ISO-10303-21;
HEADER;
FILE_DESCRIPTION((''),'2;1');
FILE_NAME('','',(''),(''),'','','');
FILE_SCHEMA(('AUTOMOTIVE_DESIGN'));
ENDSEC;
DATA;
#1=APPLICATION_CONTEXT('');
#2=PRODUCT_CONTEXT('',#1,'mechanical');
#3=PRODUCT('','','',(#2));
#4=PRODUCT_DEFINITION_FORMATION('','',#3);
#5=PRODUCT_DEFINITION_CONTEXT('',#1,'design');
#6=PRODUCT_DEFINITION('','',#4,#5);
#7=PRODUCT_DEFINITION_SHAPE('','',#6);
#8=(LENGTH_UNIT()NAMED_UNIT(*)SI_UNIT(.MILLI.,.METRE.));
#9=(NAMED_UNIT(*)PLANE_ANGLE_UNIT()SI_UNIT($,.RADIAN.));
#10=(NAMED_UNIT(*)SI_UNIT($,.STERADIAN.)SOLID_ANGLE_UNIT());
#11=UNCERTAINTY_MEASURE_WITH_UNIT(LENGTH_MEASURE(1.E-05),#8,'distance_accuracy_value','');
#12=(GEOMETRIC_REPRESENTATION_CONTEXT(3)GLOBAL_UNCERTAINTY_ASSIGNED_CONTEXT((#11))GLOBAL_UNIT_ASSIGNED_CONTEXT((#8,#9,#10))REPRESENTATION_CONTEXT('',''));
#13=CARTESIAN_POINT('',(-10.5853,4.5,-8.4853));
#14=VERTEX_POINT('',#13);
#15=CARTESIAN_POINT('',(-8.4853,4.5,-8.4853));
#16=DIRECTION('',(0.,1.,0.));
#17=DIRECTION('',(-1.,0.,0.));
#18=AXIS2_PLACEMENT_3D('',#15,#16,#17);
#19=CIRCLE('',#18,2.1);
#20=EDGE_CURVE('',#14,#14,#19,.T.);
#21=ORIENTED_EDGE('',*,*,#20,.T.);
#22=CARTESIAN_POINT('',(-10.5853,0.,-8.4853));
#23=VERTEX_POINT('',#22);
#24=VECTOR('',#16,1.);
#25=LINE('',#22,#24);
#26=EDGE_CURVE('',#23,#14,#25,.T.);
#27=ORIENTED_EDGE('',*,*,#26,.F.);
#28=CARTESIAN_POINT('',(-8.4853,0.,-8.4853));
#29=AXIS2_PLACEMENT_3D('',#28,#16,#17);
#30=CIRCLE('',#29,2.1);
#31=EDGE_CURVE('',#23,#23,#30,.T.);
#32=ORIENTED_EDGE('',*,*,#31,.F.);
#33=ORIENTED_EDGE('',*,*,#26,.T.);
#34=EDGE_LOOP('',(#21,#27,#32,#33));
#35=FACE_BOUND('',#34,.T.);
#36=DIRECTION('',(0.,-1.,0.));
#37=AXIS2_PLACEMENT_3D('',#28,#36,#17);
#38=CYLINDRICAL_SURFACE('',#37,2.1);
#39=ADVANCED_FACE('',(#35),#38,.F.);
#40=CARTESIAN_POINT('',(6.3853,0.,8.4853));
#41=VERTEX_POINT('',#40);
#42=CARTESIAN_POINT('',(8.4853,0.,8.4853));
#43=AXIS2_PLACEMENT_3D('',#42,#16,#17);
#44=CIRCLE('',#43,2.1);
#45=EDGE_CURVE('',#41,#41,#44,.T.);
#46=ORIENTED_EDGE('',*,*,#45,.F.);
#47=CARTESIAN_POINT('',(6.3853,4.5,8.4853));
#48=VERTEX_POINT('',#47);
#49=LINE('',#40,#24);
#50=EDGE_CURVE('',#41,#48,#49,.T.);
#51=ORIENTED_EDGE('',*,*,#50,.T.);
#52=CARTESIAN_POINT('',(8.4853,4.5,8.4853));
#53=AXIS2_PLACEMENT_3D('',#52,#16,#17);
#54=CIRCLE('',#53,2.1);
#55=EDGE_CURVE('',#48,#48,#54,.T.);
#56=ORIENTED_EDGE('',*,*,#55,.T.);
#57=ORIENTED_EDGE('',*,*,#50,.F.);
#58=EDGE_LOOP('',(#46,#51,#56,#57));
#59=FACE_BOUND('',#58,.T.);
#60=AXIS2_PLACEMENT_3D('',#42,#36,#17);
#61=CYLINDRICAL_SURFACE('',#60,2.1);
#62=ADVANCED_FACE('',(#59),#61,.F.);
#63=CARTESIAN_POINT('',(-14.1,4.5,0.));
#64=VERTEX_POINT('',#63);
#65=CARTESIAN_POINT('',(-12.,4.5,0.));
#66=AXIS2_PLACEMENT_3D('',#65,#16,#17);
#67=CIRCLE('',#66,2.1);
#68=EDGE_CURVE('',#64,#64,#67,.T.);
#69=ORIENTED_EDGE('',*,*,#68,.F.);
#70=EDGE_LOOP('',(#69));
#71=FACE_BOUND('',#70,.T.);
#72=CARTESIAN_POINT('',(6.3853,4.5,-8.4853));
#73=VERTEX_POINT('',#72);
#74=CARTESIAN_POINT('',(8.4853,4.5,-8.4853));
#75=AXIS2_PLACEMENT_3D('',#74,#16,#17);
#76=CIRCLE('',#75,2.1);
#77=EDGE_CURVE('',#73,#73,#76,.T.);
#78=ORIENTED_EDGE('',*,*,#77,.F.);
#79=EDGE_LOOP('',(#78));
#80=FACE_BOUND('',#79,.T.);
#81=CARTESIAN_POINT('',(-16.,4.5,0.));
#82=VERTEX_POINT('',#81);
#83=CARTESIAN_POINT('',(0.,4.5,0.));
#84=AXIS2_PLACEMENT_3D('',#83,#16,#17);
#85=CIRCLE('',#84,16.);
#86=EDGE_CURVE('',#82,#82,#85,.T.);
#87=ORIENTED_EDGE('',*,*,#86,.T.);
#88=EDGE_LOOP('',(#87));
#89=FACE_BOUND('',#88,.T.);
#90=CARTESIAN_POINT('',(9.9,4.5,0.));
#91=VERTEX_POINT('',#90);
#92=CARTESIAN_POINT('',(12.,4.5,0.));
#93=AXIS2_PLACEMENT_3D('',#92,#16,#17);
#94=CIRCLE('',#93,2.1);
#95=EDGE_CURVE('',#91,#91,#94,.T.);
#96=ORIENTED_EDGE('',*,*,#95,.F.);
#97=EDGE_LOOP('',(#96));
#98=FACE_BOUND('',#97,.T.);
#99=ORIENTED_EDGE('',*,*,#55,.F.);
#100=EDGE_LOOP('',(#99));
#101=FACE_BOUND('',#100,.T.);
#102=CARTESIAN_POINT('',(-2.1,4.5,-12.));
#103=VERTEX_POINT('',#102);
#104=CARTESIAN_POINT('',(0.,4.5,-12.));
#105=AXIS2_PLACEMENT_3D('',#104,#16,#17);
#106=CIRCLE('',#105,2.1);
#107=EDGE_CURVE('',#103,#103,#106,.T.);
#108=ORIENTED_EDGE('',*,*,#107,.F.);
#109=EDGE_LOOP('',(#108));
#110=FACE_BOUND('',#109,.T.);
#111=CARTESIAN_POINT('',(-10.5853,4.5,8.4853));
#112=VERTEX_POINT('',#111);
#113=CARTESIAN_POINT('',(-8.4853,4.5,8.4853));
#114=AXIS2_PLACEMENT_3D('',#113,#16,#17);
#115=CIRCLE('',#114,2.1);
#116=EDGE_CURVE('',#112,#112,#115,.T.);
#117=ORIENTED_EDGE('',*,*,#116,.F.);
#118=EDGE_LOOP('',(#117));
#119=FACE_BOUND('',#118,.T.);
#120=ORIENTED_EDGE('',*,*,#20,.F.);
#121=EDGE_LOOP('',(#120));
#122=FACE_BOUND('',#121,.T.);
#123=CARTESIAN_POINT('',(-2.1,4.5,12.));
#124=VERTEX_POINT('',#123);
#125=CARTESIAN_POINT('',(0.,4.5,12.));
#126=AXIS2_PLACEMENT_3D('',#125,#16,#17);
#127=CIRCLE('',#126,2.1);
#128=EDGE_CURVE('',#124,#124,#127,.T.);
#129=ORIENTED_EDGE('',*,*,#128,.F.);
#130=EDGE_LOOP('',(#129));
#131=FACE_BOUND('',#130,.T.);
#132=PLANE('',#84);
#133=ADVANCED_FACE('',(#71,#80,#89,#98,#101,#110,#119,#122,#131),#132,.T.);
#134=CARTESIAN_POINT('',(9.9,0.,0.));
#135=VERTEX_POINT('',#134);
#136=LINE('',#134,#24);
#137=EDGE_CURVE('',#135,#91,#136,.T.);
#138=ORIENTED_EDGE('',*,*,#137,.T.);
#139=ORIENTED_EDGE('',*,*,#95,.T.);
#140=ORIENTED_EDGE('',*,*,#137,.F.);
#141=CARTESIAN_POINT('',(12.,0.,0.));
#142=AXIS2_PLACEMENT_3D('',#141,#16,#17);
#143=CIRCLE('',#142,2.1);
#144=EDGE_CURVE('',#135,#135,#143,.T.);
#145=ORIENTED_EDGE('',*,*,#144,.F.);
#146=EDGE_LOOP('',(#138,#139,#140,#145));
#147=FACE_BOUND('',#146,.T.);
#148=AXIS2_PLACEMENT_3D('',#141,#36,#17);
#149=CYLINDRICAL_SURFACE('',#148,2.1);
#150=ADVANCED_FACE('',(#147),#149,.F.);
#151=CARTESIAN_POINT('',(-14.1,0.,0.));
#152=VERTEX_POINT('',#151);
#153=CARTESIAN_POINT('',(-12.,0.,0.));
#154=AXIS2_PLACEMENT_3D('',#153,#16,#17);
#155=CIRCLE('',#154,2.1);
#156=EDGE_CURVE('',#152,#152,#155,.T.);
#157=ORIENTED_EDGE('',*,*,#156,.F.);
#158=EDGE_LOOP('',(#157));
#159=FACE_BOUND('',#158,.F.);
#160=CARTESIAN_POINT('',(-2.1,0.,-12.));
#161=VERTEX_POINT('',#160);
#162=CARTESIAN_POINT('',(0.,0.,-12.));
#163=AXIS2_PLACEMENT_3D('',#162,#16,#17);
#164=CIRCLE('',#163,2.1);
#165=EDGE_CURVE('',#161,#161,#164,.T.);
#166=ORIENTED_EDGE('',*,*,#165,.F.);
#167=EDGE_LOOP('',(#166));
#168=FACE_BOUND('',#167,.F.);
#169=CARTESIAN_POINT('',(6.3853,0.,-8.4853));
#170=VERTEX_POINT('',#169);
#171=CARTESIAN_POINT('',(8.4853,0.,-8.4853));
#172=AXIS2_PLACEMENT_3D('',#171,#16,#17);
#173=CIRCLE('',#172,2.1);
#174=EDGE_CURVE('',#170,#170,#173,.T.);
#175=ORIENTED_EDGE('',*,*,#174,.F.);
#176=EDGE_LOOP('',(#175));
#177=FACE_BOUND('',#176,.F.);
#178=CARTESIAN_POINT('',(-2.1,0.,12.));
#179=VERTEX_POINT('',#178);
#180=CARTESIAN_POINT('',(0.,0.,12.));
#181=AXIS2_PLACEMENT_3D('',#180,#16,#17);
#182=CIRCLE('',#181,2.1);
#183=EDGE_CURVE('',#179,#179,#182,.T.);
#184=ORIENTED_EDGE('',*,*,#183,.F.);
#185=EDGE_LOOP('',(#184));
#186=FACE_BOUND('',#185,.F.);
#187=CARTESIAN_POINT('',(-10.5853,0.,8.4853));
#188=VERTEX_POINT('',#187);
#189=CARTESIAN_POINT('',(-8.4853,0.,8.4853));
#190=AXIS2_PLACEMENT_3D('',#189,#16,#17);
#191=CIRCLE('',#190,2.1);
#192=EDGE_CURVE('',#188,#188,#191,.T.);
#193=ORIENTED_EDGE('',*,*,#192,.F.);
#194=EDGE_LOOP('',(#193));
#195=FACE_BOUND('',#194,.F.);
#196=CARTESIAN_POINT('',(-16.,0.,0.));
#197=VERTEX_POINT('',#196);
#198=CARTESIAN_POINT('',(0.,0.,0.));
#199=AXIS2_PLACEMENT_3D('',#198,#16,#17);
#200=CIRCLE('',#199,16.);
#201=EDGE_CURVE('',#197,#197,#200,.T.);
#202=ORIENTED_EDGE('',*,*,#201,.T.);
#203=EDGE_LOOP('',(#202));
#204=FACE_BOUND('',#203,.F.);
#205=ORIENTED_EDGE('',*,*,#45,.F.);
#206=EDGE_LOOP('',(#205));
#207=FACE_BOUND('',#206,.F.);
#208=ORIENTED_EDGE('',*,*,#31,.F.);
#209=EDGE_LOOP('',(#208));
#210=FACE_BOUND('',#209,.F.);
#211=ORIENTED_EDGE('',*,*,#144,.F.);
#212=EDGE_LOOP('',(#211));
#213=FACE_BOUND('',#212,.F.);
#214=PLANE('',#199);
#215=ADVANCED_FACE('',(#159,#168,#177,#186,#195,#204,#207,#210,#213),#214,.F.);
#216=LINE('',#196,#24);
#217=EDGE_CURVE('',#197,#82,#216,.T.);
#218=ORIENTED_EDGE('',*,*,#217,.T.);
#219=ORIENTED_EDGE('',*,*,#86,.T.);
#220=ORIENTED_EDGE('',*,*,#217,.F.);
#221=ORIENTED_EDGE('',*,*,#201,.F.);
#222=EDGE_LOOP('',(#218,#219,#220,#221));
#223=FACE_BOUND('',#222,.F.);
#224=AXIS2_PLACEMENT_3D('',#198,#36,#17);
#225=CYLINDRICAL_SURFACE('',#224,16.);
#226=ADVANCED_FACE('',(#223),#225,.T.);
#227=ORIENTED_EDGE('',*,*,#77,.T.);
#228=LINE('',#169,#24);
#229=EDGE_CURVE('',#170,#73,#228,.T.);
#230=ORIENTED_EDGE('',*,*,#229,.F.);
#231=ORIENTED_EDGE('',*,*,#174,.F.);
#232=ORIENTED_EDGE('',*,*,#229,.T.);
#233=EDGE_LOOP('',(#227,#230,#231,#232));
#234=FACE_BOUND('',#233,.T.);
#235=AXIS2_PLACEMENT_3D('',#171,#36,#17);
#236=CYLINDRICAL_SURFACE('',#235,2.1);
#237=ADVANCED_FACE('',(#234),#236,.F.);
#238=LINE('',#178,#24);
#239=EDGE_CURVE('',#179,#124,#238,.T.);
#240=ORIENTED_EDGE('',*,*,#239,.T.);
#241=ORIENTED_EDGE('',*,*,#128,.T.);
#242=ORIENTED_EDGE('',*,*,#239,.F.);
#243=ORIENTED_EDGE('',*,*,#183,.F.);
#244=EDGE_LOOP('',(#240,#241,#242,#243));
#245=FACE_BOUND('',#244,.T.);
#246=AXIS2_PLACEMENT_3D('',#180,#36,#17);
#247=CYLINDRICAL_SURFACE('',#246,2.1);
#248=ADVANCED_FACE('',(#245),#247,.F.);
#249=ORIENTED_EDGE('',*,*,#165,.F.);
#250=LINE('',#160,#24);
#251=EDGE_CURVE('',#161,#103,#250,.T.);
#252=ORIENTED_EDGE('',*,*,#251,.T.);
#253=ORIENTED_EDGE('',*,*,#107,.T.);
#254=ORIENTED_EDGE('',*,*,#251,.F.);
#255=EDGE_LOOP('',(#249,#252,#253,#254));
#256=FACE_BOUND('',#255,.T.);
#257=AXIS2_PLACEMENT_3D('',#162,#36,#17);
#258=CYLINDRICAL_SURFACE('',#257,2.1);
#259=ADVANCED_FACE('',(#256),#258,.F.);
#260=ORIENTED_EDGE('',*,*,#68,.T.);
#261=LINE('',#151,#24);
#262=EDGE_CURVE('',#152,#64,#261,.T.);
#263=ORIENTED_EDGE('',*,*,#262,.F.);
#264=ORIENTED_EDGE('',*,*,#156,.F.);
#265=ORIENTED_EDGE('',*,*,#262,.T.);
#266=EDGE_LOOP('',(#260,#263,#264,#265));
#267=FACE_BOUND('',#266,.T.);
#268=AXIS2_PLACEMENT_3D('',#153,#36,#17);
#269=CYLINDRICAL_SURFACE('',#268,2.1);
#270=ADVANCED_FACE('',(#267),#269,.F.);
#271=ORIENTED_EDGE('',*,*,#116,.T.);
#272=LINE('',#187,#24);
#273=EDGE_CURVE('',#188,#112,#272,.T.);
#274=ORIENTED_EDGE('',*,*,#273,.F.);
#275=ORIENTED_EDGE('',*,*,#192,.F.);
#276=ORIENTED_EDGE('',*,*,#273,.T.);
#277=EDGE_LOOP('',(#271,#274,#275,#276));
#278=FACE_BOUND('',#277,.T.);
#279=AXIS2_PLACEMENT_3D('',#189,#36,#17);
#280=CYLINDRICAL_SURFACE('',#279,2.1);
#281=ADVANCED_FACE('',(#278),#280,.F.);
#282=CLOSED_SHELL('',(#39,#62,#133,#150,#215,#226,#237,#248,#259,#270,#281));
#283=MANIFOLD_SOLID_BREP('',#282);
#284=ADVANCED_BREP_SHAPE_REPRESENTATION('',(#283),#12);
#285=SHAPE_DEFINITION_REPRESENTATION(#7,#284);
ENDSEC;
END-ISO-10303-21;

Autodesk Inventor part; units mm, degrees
ref_plane "YZ Plane" through (0, 0, 0) normal (1, 0, 0) x (0, 1, 0)
ref_plane "XZ Plane" through (0, 0, 0) normal (0, 1, 0) x (-1, 0, 0)
ref_plane "XY Plane" through (0, 0, 0) normal (0, 0, 1) x (1, 0, 0)
sketch "Sketch1" plane through (0, 0, 0) normal (0, 1, 0) x (-1, 0, 0)
  circle A0 centre (0, 0) radius 16
  circle A1 centre (0, -12) radius 2.1
  circle A2 centre (8.4853, -8.4853) radius 2.1
  circle A3 centre (12, 0) radius 2.1
  circle A4 centre (8.4853, 8.4853) radius 2.1
  circle A5 centre (0, 12) radius 2.1
  circle A6 centre (-8.4853, 8.4853) radius 2.1
  circle A7 centre (-12, 0) radius 2.1
  circle A8 centre (-8.4853, -8.4853) radius 2.1
  dimension "d0" = 32
  dimension "d1" = 4.2
  dimension "d2" = 12
  dimension "d5" = 360
extrude "Extrusion1" add sketch "Sketch1" along normal blind 4.5
properties part number "Stage1GearboxMountingSpacer"
